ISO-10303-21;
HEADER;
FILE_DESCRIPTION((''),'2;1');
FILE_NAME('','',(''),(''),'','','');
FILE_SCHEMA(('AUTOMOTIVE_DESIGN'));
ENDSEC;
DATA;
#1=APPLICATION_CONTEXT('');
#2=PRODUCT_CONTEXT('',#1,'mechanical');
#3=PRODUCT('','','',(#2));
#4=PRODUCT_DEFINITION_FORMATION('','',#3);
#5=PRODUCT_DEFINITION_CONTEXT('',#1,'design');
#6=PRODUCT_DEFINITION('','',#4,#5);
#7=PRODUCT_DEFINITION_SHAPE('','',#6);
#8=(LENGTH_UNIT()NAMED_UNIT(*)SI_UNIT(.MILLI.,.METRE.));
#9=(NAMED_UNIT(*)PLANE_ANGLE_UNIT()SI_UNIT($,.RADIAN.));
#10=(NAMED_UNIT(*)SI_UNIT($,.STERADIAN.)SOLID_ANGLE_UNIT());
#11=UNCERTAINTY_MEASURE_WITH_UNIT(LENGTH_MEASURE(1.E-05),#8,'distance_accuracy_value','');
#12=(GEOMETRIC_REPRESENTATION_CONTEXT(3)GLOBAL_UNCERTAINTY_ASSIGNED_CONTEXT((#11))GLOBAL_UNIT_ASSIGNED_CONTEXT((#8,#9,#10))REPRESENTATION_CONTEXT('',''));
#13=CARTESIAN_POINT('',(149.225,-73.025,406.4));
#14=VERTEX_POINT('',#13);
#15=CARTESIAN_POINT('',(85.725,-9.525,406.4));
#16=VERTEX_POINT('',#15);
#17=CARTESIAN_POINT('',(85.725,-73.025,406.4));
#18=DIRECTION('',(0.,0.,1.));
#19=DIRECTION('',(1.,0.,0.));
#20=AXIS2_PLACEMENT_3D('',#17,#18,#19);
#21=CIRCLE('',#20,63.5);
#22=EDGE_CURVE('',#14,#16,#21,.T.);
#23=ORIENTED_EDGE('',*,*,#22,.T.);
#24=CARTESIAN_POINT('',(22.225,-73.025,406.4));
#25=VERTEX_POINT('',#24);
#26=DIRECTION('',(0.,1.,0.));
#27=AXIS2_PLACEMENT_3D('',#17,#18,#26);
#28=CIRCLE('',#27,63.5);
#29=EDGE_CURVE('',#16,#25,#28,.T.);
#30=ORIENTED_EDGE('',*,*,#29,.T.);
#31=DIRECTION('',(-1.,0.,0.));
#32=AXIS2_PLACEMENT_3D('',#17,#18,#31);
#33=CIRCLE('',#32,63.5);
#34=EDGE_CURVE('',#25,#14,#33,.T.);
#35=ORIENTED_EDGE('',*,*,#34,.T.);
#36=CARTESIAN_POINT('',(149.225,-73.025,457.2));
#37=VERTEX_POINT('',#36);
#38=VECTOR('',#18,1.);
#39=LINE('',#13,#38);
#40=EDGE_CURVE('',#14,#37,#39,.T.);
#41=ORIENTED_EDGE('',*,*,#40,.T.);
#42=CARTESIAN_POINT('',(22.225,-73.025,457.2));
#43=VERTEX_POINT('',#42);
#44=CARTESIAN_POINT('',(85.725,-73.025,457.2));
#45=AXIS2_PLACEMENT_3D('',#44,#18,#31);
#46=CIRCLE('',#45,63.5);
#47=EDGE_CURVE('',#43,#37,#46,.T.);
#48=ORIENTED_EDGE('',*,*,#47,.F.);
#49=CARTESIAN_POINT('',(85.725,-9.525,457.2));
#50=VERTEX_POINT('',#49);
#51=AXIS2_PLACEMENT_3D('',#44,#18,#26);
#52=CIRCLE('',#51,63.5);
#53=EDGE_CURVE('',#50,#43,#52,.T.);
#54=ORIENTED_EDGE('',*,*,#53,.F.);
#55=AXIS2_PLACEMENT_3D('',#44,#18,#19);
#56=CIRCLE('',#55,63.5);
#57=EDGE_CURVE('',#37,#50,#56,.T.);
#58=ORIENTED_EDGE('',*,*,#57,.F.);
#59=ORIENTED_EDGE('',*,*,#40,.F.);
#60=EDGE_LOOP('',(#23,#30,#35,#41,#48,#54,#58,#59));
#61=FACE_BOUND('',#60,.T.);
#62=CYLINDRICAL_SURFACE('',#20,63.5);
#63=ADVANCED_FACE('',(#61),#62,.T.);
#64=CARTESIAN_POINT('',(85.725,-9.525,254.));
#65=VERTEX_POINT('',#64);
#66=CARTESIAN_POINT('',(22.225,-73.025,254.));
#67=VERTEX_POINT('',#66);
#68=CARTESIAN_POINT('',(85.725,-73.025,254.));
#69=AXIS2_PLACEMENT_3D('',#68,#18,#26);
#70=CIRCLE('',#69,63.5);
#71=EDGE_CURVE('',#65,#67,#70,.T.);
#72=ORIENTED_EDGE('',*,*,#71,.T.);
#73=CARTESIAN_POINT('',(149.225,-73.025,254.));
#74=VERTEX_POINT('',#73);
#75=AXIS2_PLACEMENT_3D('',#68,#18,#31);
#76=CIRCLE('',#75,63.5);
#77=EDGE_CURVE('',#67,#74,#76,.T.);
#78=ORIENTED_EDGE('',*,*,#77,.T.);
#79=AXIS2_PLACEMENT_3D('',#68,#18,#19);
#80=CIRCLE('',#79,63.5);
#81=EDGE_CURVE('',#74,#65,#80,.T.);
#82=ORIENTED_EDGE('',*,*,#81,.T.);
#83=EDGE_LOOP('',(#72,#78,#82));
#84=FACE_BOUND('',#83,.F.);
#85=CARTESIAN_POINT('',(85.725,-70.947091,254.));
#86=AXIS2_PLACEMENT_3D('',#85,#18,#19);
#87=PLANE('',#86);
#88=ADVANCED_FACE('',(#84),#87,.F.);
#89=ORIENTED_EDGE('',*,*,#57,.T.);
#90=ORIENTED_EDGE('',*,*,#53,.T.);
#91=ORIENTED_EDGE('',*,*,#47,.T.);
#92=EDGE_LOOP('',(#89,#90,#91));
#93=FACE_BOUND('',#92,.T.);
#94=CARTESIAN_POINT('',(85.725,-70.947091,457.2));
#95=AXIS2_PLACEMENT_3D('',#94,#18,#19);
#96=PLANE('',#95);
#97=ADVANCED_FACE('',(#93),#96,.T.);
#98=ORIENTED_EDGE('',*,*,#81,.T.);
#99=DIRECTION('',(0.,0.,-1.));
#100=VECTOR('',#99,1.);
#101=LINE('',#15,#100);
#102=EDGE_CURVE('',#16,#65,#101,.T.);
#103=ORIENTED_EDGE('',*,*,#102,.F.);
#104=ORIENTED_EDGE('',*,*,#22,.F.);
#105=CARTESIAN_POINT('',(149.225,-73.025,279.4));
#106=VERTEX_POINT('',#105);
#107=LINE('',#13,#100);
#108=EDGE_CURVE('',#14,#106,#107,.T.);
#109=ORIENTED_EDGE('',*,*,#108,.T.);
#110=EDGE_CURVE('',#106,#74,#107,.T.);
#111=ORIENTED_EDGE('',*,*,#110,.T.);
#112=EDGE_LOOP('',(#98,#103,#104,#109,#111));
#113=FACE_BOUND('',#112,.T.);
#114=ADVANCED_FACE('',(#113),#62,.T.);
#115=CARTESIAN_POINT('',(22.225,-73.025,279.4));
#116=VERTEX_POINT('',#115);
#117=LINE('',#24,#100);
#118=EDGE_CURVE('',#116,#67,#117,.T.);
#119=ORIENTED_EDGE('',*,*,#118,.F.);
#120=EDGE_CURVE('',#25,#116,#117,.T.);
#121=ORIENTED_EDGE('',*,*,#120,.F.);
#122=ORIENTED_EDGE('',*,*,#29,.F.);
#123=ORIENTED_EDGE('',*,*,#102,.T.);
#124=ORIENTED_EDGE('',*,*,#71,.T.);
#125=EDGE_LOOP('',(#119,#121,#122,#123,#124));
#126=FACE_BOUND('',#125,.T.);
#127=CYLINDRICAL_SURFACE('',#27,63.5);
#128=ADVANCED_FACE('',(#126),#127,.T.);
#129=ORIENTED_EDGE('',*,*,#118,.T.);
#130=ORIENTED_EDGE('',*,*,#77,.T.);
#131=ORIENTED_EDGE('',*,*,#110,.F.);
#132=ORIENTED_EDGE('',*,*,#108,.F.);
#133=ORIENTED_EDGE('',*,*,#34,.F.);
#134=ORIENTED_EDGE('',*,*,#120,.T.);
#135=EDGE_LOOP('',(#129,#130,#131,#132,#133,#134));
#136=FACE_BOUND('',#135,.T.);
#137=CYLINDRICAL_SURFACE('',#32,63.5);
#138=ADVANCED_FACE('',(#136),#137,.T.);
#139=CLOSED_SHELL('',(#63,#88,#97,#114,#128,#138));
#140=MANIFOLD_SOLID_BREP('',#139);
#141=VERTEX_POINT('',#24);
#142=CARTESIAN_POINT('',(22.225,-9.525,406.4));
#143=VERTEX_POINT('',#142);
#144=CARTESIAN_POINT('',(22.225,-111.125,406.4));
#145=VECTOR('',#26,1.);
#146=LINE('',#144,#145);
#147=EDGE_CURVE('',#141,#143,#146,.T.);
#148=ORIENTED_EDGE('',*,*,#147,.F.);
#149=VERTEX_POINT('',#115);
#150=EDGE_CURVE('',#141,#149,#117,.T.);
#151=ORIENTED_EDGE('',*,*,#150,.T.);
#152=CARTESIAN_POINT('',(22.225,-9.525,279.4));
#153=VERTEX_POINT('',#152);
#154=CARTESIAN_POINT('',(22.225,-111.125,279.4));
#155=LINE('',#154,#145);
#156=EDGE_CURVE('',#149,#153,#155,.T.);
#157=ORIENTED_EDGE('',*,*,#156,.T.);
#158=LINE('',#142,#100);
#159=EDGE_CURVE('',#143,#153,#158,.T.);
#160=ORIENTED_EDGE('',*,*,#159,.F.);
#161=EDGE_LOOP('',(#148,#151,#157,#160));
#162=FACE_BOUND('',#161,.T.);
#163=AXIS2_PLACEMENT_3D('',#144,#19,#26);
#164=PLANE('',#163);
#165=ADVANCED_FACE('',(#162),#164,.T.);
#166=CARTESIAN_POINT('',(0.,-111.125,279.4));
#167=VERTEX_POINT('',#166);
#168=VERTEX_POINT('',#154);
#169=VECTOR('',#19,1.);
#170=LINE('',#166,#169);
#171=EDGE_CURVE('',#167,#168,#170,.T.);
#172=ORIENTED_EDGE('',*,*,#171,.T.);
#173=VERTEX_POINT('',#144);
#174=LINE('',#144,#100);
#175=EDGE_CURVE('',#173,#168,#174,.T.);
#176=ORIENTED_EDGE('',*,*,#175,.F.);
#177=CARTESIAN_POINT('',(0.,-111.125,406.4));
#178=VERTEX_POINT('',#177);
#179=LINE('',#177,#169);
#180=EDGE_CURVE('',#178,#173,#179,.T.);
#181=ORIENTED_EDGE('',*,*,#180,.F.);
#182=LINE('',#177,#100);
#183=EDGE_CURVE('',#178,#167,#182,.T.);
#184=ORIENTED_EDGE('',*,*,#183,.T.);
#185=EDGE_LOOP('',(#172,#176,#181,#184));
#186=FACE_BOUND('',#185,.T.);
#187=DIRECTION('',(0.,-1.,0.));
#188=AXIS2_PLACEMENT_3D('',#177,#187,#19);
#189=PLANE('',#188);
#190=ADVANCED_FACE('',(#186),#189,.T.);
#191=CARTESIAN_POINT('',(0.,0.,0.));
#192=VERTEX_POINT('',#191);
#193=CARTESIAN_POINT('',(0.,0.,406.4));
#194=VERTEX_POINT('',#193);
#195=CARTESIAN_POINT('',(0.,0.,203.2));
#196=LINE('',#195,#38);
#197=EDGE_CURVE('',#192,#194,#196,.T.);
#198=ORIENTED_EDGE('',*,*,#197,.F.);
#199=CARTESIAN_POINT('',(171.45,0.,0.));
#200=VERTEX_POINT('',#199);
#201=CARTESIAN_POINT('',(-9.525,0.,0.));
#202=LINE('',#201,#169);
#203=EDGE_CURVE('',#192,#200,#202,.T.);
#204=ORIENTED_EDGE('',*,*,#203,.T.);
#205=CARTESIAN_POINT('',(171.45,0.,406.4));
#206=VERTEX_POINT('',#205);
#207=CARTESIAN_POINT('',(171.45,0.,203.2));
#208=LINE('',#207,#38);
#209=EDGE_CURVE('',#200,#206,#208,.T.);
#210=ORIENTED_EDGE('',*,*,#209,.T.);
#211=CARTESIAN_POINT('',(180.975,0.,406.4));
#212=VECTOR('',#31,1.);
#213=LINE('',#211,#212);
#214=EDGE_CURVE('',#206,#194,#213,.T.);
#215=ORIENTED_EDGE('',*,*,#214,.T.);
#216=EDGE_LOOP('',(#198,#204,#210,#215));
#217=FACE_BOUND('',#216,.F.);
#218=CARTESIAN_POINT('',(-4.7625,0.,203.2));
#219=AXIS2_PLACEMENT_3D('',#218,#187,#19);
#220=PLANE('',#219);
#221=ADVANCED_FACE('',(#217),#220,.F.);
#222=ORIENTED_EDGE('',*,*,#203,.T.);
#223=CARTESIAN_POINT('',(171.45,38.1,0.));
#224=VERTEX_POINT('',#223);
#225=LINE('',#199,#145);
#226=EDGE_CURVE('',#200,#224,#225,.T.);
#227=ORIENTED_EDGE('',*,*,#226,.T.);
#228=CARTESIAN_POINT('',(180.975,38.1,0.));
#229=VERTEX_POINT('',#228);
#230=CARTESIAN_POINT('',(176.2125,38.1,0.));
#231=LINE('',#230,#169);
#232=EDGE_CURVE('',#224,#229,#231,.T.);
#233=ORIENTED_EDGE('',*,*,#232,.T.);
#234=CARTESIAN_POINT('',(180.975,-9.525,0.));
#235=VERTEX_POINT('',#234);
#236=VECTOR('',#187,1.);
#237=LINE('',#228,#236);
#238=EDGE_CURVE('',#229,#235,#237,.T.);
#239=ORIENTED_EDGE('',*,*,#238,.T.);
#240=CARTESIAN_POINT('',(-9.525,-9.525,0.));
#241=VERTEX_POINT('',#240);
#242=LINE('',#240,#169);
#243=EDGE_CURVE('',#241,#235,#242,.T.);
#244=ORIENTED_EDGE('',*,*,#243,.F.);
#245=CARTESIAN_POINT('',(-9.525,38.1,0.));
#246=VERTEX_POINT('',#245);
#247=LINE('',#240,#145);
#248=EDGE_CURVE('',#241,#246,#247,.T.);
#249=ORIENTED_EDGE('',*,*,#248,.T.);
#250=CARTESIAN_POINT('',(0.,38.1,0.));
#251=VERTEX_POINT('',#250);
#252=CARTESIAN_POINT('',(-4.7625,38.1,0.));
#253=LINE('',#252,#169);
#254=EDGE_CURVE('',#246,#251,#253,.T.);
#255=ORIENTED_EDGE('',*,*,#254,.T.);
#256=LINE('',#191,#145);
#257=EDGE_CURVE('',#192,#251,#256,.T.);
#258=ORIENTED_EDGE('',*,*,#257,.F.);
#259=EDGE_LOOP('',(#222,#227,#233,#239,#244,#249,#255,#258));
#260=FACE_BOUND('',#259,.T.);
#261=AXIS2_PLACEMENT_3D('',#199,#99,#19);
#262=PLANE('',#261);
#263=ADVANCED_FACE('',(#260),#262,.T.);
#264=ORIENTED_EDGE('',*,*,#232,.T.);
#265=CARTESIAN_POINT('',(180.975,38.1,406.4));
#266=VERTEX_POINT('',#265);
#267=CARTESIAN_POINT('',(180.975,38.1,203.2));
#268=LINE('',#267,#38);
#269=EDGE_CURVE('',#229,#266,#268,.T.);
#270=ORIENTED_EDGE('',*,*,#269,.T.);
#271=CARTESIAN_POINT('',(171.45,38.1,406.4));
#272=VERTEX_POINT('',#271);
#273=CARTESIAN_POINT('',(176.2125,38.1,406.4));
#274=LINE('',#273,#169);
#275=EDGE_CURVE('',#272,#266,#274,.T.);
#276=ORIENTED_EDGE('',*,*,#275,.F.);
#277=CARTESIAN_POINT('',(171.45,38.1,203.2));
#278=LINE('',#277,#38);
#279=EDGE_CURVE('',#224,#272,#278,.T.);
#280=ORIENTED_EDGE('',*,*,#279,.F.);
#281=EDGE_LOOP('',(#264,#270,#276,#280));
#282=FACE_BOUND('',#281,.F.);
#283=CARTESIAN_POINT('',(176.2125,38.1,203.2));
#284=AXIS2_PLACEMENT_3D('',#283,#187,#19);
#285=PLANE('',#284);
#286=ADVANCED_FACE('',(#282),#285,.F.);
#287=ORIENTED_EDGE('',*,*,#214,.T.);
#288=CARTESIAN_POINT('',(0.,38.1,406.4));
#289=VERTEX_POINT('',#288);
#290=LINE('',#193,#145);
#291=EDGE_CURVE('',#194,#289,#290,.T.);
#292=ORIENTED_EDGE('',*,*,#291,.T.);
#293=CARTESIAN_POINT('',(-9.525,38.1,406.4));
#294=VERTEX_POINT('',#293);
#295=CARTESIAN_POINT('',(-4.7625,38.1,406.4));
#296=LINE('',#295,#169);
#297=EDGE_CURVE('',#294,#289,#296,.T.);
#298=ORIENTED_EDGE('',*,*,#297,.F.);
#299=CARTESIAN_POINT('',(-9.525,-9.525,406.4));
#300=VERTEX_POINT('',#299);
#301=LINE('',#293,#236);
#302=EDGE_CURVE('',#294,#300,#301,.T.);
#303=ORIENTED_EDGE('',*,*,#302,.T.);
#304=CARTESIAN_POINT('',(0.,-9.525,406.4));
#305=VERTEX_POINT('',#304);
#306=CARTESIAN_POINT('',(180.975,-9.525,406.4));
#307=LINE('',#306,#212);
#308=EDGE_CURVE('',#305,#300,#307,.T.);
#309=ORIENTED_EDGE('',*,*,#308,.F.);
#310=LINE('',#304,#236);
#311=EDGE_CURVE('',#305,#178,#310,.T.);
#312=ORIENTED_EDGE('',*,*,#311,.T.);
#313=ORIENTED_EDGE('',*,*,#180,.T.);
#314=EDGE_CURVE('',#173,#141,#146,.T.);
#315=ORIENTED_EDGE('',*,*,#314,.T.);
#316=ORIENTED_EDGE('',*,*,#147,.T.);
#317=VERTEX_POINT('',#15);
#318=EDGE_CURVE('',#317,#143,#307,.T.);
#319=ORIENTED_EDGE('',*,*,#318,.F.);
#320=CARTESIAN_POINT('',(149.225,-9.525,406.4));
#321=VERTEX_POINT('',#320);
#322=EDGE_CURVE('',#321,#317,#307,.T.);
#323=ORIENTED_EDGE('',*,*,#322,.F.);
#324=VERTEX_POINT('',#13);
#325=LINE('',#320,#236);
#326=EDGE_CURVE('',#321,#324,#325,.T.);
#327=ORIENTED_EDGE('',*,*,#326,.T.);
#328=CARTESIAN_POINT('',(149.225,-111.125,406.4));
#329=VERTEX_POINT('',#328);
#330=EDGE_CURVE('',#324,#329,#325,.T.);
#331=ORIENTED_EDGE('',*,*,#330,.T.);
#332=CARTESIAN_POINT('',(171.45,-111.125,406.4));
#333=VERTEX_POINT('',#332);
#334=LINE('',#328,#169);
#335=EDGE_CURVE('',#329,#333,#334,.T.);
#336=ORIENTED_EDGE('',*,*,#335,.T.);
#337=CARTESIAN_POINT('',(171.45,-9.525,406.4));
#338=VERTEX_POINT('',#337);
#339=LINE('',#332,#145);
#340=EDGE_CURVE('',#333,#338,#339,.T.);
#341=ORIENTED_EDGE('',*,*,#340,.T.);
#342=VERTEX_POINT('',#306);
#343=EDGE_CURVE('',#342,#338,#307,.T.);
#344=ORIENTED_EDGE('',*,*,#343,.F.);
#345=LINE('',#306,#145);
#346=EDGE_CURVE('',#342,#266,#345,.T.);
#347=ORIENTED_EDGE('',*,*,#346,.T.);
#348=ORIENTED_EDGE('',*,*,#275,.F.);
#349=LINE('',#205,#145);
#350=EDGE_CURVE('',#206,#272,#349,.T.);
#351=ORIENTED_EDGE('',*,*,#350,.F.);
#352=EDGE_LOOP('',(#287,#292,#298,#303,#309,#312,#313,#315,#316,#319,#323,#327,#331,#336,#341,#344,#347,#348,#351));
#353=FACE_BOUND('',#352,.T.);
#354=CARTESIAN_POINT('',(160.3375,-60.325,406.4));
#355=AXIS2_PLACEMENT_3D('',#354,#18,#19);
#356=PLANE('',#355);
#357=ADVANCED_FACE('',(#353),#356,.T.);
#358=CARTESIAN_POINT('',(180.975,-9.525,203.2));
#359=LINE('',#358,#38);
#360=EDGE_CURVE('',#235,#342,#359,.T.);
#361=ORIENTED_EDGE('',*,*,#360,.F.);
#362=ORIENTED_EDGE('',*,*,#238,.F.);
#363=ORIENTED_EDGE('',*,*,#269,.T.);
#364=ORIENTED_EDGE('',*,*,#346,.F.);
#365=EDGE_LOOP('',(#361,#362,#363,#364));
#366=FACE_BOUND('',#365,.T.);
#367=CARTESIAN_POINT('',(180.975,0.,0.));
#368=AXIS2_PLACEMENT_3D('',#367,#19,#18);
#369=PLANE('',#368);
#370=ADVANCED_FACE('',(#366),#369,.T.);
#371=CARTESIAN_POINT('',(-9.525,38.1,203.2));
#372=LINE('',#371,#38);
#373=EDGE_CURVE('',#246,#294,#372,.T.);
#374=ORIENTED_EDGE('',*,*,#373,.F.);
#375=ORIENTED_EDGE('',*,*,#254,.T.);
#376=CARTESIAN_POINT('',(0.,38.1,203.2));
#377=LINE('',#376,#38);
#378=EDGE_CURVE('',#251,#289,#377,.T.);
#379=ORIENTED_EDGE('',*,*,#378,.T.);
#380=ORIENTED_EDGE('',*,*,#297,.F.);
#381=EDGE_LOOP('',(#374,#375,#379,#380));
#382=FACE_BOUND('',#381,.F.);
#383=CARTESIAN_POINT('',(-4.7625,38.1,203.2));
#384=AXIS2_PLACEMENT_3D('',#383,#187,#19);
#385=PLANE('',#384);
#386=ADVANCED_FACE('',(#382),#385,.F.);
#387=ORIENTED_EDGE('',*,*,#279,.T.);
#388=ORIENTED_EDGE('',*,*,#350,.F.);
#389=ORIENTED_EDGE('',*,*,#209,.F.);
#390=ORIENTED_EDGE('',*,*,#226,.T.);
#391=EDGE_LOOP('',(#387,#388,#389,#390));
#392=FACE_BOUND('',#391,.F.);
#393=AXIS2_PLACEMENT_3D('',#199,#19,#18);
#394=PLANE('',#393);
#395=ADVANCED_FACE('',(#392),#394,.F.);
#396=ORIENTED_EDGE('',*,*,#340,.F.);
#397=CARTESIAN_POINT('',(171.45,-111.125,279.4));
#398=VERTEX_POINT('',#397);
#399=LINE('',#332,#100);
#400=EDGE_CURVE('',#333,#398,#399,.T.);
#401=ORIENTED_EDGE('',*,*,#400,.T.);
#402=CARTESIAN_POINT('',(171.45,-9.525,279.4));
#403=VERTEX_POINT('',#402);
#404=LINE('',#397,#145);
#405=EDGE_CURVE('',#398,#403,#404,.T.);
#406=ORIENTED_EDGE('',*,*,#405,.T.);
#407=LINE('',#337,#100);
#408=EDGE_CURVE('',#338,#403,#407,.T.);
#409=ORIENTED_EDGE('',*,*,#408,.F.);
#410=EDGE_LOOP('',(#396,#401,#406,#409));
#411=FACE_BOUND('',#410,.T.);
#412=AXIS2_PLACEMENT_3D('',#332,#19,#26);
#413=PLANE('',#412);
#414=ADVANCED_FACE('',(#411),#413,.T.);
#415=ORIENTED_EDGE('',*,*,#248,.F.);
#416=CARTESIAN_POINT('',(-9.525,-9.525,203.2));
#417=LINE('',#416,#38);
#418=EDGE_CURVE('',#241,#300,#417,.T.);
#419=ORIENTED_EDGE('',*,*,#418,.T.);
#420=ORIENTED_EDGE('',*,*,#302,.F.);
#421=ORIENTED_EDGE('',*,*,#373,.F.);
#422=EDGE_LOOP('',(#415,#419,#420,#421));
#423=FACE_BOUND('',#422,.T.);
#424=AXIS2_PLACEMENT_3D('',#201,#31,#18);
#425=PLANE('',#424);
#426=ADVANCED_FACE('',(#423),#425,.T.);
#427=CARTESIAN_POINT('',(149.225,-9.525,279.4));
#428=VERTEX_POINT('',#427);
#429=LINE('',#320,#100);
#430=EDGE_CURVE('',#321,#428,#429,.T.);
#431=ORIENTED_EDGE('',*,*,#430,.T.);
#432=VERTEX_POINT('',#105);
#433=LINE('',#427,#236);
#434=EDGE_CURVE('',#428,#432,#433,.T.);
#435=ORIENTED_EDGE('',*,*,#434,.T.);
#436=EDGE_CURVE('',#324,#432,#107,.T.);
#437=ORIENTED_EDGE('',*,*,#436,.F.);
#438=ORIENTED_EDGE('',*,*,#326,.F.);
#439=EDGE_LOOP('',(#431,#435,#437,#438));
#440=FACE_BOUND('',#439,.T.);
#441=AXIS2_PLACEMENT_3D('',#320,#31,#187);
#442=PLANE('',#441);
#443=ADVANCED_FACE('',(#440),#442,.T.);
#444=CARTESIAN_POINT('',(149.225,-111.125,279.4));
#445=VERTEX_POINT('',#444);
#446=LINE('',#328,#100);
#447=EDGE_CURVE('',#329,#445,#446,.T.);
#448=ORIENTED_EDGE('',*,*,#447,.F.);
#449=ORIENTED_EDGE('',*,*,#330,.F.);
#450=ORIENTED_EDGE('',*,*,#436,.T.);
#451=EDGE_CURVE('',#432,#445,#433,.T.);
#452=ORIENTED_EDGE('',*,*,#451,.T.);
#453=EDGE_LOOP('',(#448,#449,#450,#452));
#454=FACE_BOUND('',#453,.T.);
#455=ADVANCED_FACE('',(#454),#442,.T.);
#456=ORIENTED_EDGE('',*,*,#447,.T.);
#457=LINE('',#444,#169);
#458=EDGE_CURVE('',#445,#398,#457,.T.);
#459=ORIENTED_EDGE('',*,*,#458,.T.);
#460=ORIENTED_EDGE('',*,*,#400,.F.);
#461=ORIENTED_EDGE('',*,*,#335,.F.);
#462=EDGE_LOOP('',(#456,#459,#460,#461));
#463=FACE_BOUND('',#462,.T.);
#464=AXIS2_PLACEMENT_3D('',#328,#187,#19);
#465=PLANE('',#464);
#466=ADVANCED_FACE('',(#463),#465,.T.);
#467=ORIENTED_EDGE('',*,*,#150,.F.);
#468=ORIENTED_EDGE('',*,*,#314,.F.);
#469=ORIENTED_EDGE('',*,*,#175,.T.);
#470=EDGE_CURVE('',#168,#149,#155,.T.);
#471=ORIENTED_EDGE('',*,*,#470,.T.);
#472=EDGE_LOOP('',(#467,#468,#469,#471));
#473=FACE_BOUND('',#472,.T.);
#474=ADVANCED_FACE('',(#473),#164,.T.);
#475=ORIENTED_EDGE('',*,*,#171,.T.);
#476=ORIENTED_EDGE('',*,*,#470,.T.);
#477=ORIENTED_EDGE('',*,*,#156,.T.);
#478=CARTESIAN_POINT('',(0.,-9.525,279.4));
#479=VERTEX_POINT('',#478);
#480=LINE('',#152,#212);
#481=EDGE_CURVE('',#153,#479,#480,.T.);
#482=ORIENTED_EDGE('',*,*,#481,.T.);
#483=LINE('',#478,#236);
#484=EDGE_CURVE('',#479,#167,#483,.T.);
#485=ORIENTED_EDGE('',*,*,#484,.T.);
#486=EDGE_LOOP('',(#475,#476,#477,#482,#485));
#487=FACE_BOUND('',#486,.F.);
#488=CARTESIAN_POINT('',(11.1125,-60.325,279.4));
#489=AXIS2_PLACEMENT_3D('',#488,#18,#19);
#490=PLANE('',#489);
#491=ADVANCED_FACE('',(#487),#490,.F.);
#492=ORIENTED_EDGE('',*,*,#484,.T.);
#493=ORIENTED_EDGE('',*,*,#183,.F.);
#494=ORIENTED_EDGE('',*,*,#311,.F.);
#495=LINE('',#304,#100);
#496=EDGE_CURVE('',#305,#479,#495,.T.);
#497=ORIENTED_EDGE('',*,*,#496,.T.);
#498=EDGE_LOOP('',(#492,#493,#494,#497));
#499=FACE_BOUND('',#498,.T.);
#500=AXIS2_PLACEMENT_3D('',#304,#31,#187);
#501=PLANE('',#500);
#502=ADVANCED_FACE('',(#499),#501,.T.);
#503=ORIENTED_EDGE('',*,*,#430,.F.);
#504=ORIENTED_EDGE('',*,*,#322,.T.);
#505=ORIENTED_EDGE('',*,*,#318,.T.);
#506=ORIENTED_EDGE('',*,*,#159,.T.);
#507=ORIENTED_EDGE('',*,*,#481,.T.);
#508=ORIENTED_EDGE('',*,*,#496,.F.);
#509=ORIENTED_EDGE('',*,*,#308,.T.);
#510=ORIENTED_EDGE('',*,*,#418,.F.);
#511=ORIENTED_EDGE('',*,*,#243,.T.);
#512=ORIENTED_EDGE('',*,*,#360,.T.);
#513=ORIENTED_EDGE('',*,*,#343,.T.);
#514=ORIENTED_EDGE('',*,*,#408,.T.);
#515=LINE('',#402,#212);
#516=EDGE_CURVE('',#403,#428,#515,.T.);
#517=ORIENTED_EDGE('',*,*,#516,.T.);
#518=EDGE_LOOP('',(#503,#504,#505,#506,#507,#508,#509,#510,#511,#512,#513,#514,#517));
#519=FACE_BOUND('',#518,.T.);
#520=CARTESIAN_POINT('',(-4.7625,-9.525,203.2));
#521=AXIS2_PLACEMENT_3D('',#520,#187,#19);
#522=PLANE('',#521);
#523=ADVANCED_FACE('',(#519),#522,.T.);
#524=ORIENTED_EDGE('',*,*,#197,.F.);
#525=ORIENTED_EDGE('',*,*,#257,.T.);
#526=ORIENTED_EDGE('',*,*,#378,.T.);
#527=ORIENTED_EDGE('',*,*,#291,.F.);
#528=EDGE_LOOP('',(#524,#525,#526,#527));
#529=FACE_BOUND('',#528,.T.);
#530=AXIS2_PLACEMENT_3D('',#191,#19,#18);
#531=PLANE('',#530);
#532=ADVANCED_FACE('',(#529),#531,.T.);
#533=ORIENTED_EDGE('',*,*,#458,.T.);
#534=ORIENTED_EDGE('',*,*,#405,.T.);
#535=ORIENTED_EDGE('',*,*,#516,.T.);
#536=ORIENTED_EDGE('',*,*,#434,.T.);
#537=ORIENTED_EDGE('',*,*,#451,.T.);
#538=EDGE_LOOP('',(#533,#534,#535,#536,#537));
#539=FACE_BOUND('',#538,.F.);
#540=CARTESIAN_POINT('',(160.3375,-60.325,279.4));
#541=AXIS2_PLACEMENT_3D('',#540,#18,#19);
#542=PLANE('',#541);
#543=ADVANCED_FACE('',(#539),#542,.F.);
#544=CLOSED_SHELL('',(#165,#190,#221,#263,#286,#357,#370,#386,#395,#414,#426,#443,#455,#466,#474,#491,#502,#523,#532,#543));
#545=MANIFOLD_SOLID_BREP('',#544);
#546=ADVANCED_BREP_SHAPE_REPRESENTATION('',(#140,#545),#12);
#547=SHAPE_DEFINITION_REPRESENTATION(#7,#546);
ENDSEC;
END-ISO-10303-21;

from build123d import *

# Parameters (mm, degrees)
F0_W          = 9.525
F0_H          = 406.4
F0_W_2        = 171.45
F1_DEPTH      = 9.525
F2_DEPTH      = 38.1
F4_DEPTH      = 152.4
F4_DEPTH_BACK = 50.8
F5_DEPTH      = 127


with BuildPart() as f1:
    # F0 (on Front) → F1 (new body)
    with BuildSketch(Plane.XZ):
        with Locations((-4.7625, 203.2)):
            Rectangle(F0_W, F0_H)
        with Locations((85.725, 203.2)):
            Rectangle(F0_W_2, F0_H)
        with Locations((176.2125, 203.2)):
            Rectangle(F0_W, F0_H)
    extrude(amount=F1_DEPTH)

    # F0 (on Front) → F2 (join)
    with BuildSketch(Plane.XZ):
        with Locations((176.2125, 203.2)):
            Rectangle(F0_W, F0_H)
        with Locations((-4.7625, 203.2)):
            Rectangle(F0_W, F0_H)
    extrude(amount=-F2_DEPTH)

    # F3 (on face) → F4 (join, two sides)
    with BuildSketch(Plane.XY.offset(406.4)) as f4_sk:
        with BuildLine():
            ThreePointArc((85.725, -9.525), (40.8237193947, -28.1237193947), (22.225, -73.025))
            ThreePointArc((22.225, -73.025), (85.725, -136.525), (149.225, -73.025))
            ThreePointArc((149.225, -73.025), (130.6262806053, -28.1237193947), (85.725, -9.525))
        make_face()
    extrude(amount=-F4_DEPTH)
    extrude(f4_sk.sketch, amount=F4_DEPTH_BACK)

    # F3 (on face) → F5 (join)
    with BuildSketch(Plane.XY.offset(406.4)):
        Polygon((149.225, -9.525), (149.225, -73.025), (149.225, -111.125), (149.7277021408, -111.125), (171.45, -111.125), (171.45, -9.525), align=None)
        Polygon((22.225, -111.125), (22.225, -73.025), (22.225, -9.525), (0, -9.525), (0, -111.125), align=None)
    extrude(amount=-F5_DEPTH)


solid = f1.part
